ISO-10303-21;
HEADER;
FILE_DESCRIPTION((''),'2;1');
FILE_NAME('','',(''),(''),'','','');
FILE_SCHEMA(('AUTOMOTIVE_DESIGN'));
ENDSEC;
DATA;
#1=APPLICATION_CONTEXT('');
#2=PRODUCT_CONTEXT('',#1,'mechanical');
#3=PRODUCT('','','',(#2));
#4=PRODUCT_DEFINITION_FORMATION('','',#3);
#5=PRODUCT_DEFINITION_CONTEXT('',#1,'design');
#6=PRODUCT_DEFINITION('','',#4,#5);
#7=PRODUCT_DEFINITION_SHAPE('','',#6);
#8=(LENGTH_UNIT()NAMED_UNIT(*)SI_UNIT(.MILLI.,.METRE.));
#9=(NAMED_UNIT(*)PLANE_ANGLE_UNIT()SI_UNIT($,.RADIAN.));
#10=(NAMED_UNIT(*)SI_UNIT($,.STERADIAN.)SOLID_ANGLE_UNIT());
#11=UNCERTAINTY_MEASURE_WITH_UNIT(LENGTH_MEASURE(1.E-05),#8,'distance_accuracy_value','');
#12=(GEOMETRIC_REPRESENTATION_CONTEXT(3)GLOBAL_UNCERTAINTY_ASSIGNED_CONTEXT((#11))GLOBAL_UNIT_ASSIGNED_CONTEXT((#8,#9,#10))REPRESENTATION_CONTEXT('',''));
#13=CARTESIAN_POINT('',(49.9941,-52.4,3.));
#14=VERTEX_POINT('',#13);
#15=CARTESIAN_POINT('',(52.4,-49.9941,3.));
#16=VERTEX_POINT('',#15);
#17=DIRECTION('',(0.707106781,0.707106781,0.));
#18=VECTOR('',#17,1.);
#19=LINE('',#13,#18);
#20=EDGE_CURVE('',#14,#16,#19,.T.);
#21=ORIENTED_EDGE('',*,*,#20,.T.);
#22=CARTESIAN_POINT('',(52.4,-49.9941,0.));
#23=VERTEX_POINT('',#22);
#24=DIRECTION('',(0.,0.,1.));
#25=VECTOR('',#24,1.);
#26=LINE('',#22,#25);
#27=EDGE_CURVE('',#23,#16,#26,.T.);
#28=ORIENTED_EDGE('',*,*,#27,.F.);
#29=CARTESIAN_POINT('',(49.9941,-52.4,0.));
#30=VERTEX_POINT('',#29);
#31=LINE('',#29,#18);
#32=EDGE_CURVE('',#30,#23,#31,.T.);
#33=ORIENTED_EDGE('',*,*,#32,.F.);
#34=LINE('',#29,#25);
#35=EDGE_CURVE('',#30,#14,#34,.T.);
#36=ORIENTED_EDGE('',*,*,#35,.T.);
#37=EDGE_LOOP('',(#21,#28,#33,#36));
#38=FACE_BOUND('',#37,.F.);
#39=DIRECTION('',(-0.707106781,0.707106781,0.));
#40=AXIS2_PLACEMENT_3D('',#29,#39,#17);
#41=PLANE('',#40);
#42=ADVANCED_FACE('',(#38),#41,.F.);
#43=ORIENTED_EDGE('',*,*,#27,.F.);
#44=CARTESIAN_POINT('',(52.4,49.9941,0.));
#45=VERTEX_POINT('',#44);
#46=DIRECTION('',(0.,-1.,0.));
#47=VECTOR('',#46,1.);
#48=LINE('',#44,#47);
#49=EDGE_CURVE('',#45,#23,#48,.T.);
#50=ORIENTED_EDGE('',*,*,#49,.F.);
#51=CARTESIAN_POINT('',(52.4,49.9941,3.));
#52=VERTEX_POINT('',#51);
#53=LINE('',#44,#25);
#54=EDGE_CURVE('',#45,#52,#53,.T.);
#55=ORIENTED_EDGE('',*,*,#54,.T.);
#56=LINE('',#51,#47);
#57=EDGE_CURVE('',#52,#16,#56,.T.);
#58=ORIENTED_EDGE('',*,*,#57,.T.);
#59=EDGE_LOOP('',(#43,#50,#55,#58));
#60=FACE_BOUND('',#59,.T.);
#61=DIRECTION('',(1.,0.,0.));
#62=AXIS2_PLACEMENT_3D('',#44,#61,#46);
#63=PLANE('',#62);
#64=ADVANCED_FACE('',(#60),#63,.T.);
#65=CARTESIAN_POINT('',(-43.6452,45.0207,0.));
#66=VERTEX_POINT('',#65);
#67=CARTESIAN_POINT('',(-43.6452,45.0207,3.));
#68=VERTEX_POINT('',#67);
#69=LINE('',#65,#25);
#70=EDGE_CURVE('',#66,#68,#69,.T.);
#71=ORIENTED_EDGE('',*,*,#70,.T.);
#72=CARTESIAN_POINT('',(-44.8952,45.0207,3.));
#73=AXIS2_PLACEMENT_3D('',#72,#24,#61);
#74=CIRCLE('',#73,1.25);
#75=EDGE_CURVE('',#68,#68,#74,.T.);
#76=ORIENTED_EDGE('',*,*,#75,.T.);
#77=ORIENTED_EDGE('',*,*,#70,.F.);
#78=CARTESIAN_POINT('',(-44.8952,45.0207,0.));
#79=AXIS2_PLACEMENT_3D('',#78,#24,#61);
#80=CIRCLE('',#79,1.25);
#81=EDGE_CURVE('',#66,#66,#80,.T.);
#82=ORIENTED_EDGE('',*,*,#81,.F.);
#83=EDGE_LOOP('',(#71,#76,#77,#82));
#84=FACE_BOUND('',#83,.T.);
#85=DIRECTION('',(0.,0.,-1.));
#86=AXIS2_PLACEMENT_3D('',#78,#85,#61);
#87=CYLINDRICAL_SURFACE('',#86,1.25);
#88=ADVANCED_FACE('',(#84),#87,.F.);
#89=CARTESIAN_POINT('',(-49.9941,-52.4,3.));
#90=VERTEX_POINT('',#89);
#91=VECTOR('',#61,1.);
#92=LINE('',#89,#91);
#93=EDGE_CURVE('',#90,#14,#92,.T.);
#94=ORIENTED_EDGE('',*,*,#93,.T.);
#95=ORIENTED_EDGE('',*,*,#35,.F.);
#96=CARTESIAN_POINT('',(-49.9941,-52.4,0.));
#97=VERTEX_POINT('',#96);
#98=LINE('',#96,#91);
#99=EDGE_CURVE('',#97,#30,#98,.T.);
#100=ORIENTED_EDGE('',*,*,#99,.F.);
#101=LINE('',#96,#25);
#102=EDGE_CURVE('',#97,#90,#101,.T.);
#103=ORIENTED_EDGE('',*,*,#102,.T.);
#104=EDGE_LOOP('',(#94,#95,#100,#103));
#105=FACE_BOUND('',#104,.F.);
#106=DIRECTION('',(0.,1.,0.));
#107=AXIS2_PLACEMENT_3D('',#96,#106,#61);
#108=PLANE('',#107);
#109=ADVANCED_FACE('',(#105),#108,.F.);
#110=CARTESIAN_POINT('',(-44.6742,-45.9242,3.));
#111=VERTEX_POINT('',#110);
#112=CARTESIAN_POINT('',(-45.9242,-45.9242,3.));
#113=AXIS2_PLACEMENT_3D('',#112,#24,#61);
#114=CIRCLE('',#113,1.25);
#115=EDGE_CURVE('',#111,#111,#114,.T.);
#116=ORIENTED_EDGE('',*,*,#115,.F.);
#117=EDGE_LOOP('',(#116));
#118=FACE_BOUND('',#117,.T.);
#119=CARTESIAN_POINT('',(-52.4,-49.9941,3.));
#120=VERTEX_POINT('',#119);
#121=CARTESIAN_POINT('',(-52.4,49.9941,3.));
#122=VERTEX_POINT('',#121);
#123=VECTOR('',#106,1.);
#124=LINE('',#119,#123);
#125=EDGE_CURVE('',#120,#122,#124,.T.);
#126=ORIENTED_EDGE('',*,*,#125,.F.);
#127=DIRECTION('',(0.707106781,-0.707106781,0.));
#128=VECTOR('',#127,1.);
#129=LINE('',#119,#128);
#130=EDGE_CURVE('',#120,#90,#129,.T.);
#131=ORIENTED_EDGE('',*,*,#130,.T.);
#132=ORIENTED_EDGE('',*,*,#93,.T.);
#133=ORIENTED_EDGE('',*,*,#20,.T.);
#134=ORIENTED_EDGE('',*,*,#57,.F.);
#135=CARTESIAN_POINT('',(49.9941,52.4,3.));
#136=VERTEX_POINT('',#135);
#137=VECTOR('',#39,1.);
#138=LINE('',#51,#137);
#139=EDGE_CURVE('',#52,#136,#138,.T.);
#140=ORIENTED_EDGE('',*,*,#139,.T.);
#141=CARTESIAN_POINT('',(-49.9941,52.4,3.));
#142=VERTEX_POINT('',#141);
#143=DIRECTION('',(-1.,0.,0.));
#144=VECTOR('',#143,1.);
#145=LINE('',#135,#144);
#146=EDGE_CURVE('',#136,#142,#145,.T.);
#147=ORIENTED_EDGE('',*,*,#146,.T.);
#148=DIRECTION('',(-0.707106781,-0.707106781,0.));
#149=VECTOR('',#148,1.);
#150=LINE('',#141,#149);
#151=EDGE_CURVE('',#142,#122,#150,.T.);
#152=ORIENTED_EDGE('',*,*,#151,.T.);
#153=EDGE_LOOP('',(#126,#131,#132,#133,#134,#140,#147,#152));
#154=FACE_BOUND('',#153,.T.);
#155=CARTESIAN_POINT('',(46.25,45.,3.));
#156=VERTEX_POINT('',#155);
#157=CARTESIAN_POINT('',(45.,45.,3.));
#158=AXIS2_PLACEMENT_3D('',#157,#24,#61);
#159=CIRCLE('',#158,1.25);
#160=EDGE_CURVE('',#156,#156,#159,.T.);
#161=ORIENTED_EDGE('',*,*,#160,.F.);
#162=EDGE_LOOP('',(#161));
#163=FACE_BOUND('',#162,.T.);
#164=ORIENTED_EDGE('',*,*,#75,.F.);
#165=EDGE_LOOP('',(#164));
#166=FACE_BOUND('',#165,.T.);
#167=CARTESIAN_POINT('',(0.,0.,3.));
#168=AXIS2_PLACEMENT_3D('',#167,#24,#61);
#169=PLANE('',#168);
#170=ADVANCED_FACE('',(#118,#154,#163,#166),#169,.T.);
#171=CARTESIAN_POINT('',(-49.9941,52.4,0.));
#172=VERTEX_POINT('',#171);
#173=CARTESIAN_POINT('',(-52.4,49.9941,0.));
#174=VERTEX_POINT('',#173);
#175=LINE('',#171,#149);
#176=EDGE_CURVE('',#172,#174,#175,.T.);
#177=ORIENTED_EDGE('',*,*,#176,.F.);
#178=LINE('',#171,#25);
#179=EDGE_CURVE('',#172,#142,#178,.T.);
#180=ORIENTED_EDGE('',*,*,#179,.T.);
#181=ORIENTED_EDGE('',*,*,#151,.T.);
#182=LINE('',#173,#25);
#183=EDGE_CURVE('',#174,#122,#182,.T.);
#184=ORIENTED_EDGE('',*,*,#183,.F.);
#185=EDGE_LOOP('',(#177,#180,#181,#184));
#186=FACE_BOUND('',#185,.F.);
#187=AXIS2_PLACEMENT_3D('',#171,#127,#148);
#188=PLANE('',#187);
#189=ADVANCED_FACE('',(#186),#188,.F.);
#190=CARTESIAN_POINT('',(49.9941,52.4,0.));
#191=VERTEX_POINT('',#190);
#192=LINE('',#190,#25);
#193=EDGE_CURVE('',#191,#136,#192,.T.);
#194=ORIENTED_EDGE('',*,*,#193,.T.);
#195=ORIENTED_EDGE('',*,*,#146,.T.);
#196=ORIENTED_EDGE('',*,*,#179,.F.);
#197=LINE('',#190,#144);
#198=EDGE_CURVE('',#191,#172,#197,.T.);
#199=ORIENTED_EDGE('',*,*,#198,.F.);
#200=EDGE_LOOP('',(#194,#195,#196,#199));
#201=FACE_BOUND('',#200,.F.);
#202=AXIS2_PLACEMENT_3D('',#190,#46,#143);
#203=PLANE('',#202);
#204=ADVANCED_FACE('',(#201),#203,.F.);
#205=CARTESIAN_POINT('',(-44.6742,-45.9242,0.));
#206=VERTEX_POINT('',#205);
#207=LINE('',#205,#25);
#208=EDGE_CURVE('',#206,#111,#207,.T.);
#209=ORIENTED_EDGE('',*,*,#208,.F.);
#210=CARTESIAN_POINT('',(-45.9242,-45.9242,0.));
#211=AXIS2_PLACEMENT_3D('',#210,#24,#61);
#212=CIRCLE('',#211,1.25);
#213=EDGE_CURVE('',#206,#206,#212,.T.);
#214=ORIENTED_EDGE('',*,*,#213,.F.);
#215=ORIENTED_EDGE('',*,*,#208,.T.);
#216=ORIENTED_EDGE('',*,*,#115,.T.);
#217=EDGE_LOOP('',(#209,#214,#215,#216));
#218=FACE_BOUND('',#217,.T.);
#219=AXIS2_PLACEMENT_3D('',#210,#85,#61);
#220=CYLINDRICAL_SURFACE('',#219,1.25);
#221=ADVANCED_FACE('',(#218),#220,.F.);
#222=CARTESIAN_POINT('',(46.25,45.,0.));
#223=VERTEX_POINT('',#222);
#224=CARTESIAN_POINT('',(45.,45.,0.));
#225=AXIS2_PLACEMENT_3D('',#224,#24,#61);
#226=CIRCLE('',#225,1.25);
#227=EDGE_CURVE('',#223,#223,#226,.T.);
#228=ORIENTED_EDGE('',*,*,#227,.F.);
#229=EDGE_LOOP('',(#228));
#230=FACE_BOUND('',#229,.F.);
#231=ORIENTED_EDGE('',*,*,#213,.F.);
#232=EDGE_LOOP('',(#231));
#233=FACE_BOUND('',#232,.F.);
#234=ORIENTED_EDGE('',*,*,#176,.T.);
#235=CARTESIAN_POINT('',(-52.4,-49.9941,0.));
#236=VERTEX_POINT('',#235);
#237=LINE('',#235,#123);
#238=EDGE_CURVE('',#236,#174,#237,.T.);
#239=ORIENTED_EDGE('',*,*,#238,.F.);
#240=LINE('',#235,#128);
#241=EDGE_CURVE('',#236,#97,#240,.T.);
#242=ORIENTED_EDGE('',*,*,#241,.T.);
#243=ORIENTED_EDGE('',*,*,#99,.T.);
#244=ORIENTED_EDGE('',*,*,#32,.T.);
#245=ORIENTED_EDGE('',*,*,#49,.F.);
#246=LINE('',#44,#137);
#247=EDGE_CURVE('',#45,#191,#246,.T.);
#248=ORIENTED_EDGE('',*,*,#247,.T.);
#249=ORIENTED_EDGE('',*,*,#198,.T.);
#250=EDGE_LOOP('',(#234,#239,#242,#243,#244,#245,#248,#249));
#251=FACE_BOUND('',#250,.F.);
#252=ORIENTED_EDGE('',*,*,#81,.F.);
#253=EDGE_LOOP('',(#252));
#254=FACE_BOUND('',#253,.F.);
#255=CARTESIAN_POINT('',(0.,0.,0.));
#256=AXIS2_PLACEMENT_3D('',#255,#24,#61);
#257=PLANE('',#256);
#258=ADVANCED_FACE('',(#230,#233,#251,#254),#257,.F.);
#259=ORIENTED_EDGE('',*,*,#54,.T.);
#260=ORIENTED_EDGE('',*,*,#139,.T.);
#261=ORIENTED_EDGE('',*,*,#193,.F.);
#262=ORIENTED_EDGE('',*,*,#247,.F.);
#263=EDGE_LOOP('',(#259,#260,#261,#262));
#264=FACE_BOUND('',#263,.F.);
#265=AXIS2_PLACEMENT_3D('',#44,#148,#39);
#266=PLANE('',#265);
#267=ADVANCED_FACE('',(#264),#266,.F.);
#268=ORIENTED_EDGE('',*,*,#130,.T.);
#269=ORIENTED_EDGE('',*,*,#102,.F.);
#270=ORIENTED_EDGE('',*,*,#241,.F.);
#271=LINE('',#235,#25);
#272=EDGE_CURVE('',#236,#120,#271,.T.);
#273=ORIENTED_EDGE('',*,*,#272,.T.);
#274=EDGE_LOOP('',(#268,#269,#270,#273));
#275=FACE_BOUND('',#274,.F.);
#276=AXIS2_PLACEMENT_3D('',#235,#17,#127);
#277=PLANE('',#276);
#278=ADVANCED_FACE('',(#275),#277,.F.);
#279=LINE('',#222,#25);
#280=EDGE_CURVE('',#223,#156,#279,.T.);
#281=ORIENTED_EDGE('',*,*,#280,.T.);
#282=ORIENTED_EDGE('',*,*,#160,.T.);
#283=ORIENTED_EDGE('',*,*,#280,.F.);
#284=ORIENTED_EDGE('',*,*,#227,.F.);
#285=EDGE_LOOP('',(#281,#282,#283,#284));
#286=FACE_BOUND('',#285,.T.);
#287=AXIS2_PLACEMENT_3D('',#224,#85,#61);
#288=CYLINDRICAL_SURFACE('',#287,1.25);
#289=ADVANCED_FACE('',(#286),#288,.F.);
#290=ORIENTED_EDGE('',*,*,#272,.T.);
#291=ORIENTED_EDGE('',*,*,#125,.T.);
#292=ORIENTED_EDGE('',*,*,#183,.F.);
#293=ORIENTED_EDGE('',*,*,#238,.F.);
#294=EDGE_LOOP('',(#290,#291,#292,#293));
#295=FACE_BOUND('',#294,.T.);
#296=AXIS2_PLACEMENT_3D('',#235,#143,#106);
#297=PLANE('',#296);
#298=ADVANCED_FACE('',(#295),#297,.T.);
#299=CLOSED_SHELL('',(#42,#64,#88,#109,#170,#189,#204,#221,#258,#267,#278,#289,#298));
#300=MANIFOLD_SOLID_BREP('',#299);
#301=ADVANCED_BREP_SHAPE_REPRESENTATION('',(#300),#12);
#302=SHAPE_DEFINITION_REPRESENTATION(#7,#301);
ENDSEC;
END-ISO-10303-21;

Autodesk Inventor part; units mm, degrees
ref_plane "YZ Plane" through (0, 0, 0) normal (1, 0, 0) x (0, 1, 0)
ref_plane "XZ Plane" through (0, 0, 0) normal (0, 1, 0) x (-1, 0, 0)
ref_plane "XY Plane" through (0, 0, 0) normal (0, 0, 1) x (1, 0, 0)
sketch "Sketch1" plane through (0, 0, 0) normal (0, 0, 1) x (1, 0, 0)
  line L0 (-49.9941, 52.4) -> (-52.4, 49.9941) projected
  line L1 (49.9941, 52.4) -> (-49.9941, 52.4) projected
  line L2 (52.4, 49.9941) -> (49.9941, 52.4) projected
  line L3 (49.9941, -52.4) -> (52.4, -49.9941) projected
  line L4 (-49.9941, -52.4) -> (49.9941, -52.4) projected
  line L5 (-52.4, -49.9941) -> (-49.9941, -52.4) projected
  line L6 (-52.4, -49.9941) -> (-52.4, 49.9941)
  line L7 (52.4, 49.9941) -> (52.4, -49.9941)
  circle A0 centre (-45.9242, -45.9242) radius 1.25 projected
  circle A1 centre (-44.8952, 45.0207) radius 1.25 projected
  circle A2 centre (45, 45) radius 1.25 projected
  point P0 (0, 0)
extrude "Extrusion1" add sketch "Sketch1" along normal blind 3
properties part number "Buttom_acrylic"
